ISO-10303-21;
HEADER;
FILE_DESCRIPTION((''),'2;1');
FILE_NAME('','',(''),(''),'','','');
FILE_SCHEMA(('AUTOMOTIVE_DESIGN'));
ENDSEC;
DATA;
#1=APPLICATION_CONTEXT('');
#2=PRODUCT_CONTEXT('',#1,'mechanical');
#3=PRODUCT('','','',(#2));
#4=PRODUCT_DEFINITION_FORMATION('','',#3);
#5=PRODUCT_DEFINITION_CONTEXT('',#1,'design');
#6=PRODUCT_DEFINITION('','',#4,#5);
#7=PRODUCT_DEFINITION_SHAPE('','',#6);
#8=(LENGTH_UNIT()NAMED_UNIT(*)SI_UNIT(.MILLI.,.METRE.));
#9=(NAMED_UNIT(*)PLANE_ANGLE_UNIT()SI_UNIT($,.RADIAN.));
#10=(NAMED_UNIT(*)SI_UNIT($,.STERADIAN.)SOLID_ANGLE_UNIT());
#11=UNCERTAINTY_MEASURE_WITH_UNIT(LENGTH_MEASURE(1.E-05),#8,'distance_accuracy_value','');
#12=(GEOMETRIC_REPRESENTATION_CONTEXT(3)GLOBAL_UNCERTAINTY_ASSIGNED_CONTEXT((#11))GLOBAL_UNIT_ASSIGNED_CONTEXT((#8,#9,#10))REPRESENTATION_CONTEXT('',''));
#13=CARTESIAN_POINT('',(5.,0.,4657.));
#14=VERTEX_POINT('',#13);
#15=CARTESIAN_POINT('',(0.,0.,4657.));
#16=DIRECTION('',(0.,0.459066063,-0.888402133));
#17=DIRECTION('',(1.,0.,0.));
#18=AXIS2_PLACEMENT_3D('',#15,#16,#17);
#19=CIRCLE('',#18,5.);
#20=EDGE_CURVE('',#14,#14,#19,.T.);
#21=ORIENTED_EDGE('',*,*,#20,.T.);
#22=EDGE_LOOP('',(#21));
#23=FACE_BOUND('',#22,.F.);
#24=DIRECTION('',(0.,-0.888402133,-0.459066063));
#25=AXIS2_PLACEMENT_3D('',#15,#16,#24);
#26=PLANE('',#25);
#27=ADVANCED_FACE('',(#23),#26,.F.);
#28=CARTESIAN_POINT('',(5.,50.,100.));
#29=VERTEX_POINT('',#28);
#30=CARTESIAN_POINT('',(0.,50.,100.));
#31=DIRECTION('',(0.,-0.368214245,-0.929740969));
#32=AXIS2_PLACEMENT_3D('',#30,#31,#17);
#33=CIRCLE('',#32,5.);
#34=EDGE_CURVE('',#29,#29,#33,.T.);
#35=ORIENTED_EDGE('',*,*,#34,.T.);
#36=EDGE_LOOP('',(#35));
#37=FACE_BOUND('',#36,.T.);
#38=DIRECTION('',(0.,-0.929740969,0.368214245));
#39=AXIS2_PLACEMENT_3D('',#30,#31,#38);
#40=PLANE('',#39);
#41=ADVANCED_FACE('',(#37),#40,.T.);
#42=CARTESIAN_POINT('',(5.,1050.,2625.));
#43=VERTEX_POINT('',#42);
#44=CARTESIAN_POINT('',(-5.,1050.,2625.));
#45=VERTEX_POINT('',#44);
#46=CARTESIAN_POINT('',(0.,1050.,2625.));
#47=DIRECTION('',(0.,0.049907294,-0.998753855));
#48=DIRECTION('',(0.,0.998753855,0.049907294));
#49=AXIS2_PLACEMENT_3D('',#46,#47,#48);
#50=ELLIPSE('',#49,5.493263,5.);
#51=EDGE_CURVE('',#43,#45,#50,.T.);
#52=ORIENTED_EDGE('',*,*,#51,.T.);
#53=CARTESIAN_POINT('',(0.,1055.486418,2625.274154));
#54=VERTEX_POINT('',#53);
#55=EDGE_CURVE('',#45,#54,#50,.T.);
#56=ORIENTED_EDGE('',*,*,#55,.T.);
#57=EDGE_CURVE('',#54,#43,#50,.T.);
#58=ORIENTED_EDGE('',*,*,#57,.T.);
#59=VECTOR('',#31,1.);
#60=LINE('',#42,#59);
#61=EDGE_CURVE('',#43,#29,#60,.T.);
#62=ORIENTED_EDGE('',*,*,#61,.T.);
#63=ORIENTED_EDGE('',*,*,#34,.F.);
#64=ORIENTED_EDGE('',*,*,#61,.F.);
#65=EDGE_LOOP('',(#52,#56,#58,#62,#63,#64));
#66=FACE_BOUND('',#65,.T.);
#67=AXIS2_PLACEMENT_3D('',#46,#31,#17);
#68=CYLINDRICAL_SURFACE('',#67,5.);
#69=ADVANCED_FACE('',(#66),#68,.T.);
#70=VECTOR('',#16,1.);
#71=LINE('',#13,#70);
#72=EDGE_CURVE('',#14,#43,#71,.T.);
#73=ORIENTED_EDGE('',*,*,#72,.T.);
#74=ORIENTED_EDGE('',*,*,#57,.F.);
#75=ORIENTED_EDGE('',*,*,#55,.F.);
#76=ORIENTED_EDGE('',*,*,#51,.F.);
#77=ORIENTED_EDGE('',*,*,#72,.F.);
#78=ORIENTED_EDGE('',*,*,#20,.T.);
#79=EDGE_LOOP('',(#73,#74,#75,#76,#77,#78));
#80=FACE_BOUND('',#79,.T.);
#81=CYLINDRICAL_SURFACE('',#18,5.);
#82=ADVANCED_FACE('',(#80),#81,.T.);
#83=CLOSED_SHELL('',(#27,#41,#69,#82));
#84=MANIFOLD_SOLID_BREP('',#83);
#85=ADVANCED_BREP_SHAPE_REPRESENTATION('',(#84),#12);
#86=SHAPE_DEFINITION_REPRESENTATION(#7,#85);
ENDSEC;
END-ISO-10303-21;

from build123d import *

# Parameters (mm, degrees)
F12_R = 5


with BuildPart() as f13:
    # F13: sweep along a path in F10
    with BuildLine(Plane.YZ) as f13_path:
        Line((0, 4657), (1050, 2625))
        Line((1050, 2625), (50, 100))
    # F12 (on line) → F13 (sweep)
    with BuildSketch(Plane(origin=(0, -1899.2888496736, 3675.5761357494), x_dir=(1, 0, 0), z_dir=(0, 0.4590660628, -0.888402133))):
        with Locations((0, -2137.8706546036)):
            Circle(F12_R)
    sweep(path=f13_path.line, transition=Transition.RIGHT)


solid = f13.part
